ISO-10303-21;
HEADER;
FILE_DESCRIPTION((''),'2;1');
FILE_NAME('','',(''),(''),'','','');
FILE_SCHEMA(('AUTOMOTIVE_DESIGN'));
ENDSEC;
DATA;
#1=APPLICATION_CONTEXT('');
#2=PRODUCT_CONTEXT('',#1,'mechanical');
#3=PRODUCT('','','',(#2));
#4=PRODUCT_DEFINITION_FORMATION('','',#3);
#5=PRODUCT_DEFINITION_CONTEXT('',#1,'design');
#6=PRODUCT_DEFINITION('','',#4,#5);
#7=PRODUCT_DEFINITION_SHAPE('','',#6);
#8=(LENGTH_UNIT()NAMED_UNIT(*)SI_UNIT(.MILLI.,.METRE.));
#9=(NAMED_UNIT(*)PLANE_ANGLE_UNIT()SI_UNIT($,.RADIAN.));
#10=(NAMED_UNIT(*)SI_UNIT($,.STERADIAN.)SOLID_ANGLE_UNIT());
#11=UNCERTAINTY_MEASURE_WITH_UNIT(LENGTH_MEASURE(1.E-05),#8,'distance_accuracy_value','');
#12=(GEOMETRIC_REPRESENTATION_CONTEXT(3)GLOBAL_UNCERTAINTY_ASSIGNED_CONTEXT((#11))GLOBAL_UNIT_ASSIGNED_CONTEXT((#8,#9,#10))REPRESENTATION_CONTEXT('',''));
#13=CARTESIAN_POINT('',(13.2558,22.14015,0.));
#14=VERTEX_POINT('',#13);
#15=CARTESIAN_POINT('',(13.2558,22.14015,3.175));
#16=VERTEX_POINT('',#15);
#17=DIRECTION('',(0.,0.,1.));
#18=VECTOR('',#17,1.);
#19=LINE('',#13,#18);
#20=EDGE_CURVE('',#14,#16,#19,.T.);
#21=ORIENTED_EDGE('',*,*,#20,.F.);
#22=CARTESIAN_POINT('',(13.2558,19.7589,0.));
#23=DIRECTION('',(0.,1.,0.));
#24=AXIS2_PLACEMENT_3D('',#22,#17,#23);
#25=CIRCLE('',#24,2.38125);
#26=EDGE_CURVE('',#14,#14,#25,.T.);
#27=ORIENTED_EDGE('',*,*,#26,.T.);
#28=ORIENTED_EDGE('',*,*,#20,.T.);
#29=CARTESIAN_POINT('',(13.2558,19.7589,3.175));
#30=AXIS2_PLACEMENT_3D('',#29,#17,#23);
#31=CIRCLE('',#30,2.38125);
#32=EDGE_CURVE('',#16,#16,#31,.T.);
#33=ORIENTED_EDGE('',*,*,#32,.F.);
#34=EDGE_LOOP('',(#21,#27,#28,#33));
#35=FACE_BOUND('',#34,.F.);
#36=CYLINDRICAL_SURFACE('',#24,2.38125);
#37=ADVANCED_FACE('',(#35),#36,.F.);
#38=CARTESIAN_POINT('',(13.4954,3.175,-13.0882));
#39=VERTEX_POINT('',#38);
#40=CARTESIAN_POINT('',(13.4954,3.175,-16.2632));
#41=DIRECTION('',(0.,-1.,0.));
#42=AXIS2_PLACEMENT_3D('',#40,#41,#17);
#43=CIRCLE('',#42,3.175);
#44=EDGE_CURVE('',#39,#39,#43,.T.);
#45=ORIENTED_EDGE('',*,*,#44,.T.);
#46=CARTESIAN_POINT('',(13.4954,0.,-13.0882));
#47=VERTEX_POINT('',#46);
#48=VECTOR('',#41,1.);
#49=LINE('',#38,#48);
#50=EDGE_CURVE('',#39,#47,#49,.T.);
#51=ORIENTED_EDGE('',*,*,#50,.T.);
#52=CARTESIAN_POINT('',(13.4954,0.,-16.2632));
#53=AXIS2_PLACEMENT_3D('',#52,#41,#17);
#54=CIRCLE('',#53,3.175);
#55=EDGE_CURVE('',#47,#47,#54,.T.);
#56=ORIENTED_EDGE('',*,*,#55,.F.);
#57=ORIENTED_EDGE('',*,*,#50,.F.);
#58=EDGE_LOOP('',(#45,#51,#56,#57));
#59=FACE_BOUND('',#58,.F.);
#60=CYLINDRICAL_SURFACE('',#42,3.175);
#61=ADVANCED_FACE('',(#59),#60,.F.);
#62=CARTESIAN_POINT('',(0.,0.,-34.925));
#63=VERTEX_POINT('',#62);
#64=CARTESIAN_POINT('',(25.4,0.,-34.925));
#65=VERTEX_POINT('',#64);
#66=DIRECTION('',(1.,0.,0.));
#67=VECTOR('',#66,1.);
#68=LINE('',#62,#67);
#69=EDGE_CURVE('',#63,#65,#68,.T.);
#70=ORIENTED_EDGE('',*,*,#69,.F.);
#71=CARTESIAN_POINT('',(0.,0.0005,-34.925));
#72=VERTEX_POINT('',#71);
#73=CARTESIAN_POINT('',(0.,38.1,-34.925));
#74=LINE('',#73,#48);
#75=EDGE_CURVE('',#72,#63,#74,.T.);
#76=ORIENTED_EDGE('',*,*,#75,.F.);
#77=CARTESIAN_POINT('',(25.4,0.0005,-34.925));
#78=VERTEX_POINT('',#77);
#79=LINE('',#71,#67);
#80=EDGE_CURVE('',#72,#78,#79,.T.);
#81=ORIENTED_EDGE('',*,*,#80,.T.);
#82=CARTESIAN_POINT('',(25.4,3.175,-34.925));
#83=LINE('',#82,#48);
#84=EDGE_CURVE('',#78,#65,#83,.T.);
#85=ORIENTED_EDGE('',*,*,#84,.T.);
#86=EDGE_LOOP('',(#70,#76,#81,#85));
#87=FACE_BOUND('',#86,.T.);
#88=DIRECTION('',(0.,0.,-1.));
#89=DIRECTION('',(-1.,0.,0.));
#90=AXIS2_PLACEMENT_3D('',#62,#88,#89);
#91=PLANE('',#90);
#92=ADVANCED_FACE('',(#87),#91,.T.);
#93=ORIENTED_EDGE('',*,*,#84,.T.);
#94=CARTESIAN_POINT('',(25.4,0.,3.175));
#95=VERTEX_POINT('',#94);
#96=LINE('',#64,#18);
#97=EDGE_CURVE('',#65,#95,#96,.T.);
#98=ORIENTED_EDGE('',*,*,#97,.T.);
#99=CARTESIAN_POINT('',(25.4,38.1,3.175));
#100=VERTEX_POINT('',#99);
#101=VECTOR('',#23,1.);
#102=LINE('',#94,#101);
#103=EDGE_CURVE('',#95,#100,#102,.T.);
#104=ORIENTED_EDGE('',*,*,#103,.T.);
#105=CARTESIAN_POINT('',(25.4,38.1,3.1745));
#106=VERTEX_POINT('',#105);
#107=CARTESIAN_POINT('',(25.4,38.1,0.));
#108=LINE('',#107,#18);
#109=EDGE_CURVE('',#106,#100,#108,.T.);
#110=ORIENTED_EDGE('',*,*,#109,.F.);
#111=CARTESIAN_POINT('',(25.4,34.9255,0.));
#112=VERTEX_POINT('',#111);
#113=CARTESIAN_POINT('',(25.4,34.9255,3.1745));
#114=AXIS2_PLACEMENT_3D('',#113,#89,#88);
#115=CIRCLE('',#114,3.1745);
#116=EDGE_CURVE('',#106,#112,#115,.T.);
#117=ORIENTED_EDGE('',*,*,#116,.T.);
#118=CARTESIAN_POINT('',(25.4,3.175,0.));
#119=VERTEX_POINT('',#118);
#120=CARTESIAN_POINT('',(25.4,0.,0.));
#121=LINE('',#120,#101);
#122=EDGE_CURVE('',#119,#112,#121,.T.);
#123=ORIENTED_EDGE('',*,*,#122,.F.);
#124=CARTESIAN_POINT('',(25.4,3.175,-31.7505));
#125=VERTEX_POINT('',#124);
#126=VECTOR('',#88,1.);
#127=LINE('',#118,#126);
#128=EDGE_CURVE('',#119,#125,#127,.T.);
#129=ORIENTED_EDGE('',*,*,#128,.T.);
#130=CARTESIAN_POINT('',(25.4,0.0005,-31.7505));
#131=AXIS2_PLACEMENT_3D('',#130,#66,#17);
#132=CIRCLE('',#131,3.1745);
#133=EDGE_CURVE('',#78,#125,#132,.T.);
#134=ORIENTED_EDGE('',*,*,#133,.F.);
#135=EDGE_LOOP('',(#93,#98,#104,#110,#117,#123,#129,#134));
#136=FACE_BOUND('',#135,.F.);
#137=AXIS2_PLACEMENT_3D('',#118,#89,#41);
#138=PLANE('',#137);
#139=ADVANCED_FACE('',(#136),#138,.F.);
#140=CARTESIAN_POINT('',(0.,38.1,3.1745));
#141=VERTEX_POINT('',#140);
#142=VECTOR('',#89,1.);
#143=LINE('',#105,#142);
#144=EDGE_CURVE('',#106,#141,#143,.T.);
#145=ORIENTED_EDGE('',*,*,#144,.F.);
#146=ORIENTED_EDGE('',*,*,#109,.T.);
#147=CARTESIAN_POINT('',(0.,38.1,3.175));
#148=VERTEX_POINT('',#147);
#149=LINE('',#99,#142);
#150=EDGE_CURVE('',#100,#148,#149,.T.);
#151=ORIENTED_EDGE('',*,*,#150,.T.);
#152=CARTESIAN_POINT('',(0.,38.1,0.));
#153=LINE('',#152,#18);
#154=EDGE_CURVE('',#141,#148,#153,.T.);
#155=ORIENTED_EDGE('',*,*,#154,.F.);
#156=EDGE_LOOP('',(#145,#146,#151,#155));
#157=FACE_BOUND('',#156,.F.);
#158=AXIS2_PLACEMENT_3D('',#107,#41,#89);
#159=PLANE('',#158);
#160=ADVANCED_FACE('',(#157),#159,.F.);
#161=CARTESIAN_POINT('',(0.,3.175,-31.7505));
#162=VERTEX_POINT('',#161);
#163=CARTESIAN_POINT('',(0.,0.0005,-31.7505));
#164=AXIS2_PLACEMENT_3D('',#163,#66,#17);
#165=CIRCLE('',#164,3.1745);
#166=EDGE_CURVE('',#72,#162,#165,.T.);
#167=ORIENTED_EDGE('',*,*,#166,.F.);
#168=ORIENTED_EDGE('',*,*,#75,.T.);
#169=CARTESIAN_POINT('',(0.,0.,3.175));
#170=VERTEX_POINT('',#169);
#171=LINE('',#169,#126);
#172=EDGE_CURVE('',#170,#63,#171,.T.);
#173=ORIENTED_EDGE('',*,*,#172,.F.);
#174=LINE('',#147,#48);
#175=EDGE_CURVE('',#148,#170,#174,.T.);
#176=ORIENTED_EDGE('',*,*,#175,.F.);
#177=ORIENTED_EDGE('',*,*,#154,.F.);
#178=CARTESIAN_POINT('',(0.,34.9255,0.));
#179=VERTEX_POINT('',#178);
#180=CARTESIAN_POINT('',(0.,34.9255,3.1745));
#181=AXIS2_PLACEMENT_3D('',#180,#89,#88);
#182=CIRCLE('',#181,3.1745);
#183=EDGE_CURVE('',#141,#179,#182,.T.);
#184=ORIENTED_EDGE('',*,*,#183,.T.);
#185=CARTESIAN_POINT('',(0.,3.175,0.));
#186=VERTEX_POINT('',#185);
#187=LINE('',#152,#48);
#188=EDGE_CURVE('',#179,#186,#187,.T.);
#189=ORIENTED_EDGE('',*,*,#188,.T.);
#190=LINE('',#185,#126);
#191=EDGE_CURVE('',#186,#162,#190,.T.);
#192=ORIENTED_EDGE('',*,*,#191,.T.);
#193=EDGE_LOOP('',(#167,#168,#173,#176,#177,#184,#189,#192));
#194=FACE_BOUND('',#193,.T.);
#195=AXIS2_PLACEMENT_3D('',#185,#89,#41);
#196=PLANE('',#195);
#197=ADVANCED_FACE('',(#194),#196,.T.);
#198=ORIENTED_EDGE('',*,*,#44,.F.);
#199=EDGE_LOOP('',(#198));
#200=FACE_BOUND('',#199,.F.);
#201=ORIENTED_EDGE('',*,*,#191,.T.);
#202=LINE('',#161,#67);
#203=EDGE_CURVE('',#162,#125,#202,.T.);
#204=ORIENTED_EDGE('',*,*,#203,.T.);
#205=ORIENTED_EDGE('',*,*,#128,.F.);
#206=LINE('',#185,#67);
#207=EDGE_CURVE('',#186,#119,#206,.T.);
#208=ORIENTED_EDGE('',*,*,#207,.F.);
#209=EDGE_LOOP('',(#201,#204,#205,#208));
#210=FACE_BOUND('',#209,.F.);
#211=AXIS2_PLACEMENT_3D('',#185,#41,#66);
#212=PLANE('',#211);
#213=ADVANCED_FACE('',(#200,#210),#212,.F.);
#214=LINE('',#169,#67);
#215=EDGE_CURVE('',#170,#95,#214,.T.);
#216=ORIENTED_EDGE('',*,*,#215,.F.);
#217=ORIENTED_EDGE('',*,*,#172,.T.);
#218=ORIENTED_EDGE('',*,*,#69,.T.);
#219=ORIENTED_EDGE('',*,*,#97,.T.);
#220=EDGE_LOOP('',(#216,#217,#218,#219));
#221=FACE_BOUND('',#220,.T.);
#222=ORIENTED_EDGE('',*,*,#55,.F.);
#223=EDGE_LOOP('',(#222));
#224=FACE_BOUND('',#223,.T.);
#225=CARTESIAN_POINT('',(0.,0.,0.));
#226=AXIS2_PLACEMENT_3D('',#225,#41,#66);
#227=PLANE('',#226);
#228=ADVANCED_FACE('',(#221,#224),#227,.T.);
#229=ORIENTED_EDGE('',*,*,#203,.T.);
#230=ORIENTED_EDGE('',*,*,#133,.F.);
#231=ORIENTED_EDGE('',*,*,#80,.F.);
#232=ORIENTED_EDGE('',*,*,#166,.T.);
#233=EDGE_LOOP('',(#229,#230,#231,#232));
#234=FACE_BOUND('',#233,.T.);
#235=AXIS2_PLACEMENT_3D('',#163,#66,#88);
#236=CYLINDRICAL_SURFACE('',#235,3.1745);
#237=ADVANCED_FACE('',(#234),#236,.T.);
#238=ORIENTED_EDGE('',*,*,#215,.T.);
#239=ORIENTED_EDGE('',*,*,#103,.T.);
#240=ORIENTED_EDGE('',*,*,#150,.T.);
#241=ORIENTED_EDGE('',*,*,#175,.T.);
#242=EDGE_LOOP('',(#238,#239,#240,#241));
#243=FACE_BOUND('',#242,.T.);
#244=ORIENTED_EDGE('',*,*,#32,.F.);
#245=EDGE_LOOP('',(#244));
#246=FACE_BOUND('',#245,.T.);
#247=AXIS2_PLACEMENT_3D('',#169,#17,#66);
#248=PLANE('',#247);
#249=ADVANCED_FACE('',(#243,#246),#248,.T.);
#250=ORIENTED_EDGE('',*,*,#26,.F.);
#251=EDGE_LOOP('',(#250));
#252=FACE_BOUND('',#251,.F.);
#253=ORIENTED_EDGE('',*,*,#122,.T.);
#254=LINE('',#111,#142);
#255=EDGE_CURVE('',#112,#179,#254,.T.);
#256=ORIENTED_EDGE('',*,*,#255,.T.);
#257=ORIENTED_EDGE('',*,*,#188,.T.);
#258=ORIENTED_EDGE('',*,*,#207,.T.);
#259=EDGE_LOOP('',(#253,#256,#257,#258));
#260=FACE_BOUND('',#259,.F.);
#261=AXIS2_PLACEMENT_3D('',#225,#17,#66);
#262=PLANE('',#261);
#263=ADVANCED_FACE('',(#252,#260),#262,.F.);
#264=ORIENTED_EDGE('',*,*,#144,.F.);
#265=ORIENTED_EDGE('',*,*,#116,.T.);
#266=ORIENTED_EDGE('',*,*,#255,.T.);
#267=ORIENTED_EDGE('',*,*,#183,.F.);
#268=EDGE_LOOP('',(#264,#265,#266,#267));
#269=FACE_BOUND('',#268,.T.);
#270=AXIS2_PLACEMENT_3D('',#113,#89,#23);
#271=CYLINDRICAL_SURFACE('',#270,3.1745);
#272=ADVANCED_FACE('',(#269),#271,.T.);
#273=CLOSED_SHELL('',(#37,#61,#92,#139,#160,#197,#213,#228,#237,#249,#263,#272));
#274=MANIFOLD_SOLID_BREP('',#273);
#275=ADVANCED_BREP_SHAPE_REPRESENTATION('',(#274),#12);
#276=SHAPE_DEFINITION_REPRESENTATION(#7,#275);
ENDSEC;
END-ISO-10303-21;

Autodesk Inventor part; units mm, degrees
ref_plane "YZ Plane" through (0, 0, 0) normal (1, 0, 0) x (0, 1, 0)
ref_plane "XZ Plane" through (0, 0, 0) normal (0, 1, 0) x (-1, 0, 0)
ref_plane "XY Plane" through (0, 0, 0) normal (0, 0, 1) x (1, 0, 0)
sketch "Sketch1" plane through (0, 0, 0) normal (0, 0, 1) x (1, 0, 0)
  line L0 (0, 0) -> (25.4, 0)
  line L1 (25.4, 0) -> (25.4, 38.1)
  line L2 (25.4, 38.1) -> (0, 38.1)
  line L3 (0, 38.1) -> (0, 0)
  dimension "d0" = 25.4
  dimension "d1" = 38.1
extrude "Extrusion1" add sketch "Sketch1" along normal blind 3.175
fillet "Fillet1" radius 3.175 1 edges at (12.7, 38.1, 0)
sketch "Sketch2" plane through (0, 0, 0) normal (0, 0, -1) x (-1, 0, 0)
  line L0 (0, 0) -> (-25.4, 0) projected
  line L1 (0, 38.1) -> (0, 0) projected
  line L2 (-25.4, 0) -> (0, 0)
  line L3 (0, 0) -> (0, 3.175)
  line L4 (0, 3.175) -> (-25.4, 3.175)
  line L5 (-25.4, 3.175) -> (-25.4, 0)
  dimension "d5" = 3.175
extrude "Extrusion2" add sketch "Sketch2" along normal blind 34.925
fillet "Fillet2" radius 3.175 1 edges at (12.7, 3.175, -34.925)
hole "Hole1" at (13.4954, 3.175, -16.2632) direction (0, -1, 0) diameter 6.35 depth 25.4 tip angle 118
hole "Hole2" at (13.2558, 19.7589, 0) direction (0, 0, 1) diameter 4.7625 depth 25.4 tip angle 118
properties part number "Brackket"
